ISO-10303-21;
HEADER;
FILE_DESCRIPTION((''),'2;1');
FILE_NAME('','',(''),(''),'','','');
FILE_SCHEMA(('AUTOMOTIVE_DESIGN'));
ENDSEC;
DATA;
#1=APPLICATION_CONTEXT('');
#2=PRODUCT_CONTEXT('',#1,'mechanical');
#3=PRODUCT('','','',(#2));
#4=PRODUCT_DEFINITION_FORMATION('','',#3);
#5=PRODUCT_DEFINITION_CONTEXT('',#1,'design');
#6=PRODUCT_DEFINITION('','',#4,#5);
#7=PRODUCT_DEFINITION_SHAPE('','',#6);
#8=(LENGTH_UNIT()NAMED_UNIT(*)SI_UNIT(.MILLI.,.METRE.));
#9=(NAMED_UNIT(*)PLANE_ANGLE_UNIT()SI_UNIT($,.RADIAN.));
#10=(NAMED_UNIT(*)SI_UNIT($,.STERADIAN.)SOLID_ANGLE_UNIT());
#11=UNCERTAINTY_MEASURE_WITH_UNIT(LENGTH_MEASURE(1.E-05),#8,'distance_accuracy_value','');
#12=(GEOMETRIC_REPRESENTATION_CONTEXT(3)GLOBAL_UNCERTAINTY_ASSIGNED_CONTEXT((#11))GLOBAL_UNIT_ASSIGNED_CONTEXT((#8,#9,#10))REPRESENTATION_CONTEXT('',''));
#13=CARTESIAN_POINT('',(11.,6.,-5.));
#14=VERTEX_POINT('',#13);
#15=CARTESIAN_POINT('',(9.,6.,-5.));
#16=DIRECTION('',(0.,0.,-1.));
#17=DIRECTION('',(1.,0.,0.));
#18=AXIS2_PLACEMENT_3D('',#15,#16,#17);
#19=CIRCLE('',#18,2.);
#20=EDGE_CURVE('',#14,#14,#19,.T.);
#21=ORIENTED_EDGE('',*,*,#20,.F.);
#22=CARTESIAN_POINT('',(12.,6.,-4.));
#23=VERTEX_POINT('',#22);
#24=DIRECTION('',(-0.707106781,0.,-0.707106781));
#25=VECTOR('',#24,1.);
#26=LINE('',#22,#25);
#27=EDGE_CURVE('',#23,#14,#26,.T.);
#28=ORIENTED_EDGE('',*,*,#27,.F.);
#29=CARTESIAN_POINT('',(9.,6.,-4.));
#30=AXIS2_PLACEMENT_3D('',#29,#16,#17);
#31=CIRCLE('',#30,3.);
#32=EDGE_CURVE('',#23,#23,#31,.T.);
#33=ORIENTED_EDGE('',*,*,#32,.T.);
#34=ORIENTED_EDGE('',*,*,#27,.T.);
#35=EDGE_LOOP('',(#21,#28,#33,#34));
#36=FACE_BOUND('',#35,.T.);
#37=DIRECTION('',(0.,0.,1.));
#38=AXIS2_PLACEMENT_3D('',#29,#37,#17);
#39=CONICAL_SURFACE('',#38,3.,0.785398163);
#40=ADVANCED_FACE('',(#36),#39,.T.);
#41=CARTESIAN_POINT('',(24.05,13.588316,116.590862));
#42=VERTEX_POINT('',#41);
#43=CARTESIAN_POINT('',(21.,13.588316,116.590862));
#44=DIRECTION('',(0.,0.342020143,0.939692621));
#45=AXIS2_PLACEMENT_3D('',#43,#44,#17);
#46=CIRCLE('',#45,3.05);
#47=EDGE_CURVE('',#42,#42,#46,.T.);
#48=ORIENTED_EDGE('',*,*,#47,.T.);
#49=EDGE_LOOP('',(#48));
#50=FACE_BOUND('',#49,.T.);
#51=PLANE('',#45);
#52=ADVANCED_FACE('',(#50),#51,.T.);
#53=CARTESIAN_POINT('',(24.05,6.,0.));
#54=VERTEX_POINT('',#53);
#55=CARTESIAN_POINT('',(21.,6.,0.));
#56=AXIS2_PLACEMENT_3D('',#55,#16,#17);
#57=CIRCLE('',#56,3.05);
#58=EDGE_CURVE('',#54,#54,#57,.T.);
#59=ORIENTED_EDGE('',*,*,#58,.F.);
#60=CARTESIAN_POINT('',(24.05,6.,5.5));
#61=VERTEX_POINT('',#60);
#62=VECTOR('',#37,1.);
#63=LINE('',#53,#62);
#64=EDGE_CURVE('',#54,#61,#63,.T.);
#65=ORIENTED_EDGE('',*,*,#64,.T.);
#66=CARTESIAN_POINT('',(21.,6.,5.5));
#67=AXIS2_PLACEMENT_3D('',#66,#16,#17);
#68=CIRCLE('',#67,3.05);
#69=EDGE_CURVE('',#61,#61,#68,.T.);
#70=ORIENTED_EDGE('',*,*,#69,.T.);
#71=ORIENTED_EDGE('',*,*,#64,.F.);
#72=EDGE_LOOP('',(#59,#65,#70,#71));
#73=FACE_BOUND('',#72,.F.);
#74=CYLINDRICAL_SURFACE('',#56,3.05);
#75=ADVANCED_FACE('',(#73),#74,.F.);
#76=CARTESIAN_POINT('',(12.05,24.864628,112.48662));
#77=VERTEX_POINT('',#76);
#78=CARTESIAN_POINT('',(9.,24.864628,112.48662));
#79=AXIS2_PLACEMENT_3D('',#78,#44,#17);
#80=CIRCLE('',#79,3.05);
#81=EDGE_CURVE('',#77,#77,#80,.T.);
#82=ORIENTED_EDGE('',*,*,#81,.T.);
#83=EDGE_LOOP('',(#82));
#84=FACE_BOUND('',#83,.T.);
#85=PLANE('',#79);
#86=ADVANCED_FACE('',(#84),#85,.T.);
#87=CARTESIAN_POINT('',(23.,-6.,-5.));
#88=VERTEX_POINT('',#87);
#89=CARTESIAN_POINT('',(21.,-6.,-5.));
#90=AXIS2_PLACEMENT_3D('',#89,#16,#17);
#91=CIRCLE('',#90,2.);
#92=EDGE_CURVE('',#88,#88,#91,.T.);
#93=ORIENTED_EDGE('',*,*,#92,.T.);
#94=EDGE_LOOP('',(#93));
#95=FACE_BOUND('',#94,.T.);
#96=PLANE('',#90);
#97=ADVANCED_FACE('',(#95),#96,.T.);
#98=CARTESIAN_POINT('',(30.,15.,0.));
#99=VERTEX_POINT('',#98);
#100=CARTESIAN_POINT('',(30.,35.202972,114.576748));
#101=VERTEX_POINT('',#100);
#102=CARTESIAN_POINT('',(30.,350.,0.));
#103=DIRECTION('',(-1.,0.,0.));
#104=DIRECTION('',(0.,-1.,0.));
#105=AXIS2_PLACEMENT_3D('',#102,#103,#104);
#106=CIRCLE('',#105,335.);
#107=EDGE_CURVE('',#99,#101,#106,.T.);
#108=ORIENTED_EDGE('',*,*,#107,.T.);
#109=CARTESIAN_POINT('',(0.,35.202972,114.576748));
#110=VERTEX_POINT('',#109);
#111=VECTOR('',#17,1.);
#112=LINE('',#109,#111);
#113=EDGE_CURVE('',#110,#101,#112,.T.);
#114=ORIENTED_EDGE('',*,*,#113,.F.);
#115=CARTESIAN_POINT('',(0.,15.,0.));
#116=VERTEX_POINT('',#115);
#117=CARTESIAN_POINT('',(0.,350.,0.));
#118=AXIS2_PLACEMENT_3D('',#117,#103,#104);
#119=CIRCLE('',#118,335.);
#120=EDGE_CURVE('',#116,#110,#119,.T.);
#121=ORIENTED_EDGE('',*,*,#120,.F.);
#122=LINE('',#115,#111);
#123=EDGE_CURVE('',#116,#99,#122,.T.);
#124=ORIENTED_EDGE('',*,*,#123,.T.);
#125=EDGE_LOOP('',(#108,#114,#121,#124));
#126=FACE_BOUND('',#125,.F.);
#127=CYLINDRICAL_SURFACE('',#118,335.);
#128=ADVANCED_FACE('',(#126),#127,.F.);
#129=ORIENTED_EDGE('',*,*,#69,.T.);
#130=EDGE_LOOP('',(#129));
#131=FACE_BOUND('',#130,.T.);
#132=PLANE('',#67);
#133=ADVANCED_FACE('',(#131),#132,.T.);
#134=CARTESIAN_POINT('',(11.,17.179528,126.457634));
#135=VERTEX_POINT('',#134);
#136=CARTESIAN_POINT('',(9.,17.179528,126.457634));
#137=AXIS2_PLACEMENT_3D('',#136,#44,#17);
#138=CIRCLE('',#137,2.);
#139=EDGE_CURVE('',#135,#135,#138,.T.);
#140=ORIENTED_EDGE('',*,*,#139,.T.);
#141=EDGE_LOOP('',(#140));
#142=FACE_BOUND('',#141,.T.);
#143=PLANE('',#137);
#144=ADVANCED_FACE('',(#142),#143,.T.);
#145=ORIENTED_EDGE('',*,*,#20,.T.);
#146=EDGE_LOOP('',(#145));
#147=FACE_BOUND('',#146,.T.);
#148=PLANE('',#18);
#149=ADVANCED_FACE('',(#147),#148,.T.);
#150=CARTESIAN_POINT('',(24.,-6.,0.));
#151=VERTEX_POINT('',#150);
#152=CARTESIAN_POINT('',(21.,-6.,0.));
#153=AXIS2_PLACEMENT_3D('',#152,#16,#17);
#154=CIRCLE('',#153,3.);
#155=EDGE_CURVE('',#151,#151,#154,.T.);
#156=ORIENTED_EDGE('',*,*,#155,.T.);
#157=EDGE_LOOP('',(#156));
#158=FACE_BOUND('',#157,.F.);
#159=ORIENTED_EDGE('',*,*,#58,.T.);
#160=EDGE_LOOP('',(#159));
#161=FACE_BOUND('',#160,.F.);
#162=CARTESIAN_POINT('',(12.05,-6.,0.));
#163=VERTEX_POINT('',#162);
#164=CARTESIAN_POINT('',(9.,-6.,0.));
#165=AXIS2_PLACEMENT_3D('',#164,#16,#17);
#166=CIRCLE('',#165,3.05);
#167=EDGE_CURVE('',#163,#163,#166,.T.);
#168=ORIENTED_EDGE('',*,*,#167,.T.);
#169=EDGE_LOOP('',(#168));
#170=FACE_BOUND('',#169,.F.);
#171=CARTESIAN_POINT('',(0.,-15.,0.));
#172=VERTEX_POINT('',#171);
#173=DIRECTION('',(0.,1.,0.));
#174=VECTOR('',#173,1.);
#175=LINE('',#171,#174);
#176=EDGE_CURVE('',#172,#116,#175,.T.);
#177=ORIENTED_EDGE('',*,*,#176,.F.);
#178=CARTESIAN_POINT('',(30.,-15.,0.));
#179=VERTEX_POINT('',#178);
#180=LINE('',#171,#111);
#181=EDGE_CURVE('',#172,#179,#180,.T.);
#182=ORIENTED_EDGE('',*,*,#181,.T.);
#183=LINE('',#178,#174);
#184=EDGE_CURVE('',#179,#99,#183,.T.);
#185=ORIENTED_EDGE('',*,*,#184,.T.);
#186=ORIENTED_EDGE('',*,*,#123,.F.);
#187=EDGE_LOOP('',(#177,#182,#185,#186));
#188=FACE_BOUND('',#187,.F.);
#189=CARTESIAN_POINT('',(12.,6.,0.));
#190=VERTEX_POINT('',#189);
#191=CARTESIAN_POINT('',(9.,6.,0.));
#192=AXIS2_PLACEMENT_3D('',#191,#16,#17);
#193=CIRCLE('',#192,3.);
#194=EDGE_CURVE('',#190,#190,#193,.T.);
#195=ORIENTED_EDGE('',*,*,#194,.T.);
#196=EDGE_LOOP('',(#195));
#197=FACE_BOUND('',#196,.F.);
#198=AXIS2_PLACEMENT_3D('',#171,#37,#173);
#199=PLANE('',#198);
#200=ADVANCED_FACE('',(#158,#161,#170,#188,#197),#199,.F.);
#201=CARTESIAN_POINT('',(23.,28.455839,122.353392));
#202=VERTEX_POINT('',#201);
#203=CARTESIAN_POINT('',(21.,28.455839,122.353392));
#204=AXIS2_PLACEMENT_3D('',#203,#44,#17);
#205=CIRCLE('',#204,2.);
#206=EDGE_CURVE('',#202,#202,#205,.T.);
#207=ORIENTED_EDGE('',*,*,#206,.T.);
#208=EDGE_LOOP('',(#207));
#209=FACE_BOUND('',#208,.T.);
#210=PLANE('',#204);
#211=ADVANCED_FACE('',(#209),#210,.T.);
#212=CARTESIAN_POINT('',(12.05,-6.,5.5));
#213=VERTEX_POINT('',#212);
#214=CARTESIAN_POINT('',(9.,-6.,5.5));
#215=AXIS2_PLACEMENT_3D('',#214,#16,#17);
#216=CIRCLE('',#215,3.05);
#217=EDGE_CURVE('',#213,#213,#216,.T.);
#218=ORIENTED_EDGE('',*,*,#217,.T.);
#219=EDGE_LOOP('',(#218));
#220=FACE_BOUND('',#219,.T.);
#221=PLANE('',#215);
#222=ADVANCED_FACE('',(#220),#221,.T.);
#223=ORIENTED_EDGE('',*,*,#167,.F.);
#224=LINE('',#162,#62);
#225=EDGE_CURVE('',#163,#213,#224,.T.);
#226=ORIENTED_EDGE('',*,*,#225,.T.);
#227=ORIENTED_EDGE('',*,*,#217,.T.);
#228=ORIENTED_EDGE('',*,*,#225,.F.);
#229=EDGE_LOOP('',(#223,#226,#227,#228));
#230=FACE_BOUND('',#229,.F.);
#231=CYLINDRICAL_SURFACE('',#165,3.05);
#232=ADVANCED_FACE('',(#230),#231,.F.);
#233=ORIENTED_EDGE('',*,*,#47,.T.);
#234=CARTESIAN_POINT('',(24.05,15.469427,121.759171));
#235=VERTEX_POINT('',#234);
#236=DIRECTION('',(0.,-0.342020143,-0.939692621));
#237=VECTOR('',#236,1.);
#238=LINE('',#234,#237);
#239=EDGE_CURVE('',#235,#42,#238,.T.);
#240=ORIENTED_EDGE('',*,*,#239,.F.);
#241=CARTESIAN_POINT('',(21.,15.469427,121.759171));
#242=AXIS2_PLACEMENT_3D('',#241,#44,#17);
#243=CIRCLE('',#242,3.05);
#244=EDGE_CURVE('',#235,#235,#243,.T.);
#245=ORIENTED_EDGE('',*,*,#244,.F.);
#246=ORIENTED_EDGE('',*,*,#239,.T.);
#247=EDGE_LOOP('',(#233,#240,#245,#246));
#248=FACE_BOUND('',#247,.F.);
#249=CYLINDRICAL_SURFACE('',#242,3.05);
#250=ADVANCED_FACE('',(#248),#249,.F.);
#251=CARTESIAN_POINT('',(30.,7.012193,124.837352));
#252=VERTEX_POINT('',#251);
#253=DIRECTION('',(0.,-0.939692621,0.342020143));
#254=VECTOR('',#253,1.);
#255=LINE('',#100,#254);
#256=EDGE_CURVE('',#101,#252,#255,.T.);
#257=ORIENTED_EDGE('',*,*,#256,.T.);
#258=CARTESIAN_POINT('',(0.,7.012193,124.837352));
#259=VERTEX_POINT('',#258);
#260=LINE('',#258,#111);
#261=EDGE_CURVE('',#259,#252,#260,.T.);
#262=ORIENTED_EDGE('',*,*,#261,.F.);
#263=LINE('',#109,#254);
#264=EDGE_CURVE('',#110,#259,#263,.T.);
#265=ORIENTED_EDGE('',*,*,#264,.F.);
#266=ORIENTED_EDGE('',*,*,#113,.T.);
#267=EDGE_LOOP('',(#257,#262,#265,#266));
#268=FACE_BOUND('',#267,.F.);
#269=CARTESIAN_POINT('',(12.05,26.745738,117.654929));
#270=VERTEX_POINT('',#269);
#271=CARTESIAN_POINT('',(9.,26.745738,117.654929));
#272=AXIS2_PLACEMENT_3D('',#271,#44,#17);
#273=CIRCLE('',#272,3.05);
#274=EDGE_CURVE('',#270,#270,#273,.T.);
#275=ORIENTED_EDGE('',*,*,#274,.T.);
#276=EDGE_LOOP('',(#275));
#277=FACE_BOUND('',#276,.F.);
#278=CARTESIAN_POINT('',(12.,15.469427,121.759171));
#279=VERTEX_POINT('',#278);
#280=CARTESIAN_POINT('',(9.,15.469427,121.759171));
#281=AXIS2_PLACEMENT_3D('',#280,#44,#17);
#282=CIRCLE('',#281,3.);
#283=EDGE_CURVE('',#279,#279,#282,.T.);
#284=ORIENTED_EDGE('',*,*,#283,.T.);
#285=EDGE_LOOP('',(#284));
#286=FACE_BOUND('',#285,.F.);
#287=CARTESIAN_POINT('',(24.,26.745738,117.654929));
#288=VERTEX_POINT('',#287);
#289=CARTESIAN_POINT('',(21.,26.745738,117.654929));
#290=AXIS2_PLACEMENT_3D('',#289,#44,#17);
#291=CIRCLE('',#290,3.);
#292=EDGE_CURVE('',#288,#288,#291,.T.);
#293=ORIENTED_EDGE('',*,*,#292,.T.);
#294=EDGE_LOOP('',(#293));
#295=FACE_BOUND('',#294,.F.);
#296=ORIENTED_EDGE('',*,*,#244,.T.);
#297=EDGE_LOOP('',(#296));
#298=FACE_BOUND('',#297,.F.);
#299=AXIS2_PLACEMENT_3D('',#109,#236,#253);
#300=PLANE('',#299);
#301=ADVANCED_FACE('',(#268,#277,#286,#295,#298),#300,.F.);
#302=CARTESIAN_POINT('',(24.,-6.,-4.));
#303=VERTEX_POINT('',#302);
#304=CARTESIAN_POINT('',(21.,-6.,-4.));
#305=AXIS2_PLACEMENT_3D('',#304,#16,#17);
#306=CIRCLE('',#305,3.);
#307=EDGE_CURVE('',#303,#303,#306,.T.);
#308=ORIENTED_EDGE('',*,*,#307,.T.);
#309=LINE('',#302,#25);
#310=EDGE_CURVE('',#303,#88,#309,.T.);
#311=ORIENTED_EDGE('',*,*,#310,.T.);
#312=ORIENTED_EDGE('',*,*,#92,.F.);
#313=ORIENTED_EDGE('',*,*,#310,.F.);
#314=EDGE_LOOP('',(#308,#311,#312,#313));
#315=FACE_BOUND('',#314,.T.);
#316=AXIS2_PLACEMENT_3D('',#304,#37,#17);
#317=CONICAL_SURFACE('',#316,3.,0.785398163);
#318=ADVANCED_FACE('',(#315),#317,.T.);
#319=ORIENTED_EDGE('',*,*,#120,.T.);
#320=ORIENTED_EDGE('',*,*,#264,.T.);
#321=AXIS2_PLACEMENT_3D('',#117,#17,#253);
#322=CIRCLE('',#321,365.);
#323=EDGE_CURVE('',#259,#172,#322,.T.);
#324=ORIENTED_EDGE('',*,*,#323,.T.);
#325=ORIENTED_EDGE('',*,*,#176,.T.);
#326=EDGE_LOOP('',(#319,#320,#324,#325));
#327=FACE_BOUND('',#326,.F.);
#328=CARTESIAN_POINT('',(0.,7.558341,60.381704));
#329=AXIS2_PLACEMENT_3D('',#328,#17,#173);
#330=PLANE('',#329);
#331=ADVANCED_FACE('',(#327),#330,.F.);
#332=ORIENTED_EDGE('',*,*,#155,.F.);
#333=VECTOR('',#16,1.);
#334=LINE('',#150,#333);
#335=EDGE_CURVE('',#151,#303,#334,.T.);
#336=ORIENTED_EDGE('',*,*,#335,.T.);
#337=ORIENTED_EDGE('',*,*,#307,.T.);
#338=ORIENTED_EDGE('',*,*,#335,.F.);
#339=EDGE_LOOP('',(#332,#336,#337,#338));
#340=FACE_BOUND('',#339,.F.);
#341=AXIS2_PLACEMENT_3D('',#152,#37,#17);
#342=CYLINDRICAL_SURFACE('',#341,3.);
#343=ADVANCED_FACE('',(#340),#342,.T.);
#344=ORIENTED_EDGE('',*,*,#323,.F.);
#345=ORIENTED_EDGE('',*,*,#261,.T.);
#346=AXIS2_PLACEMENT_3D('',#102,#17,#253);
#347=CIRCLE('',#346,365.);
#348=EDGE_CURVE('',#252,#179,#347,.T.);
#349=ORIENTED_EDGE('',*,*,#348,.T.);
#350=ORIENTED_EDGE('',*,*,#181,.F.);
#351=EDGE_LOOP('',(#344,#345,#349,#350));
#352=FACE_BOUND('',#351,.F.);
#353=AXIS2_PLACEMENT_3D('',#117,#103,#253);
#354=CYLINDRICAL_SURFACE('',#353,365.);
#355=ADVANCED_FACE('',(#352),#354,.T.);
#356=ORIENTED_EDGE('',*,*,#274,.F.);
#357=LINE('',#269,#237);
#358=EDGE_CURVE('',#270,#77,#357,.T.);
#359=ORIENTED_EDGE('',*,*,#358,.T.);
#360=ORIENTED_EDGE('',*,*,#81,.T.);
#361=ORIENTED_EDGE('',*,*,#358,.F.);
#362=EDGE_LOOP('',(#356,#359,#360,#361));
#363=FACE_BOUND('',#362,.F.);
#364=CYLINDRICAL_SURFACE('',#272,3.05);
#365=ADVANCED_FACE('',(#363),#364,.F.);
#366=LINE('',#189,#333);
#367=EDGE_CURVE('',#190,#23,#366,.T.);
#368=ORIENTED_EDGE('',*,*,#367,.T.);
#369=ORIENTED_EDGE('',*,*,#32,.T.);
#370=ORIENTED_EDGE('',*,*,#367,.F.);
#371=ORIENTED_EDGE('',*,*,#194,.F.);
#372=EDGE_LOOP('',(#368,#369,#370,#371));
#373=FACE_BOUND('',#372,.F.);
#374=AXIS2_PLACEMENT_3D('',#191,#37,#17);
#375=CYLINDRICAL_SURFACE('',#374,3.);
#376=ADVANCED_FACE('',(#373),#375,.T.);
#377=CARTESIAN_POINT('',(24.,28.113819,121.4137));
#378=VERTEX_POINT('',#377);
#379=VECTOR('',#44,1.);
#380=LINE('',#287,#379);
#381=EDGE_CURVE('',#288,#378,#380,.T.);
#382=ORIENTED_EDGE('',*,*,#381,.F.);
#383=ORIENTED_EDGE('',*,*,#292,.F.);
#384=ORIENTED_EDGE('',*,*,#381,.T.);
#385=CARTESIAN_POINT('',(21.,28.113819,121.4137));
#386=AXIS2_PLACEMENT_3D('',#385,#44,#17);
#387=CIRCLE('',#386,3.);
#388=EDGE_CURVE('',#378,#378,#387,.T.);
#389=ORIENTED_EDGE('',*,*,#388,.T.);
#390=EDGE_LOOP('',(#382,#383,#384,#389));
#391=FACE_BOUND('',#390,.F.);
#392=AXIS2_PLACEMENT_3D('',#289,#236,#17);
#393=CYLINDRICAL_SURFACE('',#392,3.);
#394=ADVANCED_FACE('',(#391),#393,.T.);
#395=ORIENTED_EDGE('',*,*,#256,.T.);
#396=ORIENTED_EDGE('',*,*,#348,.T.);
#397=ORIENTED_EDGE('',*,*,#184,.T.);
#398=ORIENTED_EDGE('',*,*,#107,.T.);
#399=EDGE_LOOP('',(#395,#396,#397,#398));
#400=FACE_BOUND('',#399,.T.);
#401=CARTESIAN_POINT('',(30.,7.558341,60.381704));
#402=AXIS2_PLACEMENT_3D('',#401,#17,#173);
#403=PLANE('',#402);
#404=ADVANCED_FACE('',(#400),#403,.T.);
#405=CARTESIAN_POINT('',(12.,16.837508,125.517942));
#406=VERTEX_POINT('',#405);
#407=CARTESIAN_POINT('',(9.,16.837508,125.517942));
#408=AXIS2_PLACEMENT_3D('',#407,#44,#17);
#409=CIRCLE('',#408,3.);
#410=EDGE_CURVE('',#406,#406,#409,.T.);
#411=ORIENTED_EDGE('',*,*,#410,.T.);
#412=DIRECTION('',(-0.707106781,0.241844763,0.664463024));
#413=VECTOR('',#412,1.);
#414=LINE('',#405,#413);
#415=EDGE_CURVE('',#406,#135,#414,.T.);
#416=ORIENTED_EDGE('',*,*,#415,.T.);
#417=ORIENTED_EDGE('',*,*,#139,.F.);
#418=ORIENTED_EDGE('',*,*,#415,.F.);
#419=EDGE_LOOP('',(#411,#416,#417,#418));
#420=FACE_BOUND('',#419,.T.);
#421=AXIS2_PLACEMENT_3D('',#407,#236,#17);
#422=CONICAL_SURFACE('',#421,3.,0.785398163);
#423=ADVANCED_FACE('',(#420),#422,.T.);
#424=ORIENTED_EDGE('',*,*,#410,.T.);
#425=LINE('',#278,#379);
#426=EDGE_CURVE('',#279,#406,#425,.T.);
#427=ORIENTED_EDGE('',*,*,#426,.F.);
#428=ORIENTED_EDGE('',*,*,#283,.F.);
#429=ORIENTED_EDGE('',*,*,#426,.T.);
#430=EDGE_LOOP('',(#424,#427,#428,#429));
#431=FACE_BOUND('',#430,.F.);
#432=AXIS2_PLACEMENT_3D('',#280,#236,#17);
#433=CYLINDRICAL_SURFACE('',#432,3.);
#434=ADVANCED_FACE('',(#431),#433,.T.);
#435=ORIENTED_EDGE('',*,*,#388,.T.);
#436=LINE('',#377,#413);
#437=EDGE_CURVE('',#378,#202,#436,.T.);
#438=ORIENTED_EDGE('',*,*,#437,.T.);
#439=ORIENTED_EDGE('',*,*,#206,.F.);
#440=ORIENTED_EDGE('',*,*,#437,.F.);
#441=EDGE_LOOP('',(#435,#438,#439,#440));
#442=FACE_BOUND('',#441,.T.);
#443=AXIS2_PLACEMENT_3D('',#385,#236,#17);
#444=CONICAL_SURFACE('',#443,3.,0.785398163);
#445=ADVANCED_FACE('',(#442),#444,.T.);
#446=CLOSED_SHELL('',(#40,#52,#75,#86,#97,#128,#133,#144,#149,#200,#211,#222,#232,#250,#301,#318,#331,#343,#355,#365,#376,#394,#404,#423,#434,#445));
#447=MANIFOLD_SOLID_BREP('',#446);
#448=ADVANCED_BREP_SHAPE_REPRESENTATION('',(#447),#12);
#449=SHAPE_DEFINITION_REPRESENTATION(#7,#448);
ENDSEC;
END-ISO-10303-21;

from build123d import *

# Parameters (mm, degrees)
F1_DEPTH  = 30
F2_R      = 3
F3_DEPTH  = 5
F4_SIZE   = 1
F5_R      = 3
F6_DEPTH  = 5
F7_SIZE   = 1
F8_R      = 3.05
F9_DEPTH  = 5.5
F10_R     = 3.05
F11_DEPTH = 5.5


with BuildPart() as f1:
    # F0 (on Right) → F1 (new body)
    with BuildSketch(Plane.YZ):
        with BuildLine():
            ThreePointArc((7.0121934131, 124.8373523139), (-9.4548298495, 63.3815848484), (-15, 0))
            Line((-15, 0), (15, 0))
            ThreePointArc((15, 0), (20.0894027409, 58.1721395184), (35.2029720367, 114.5767480141))
            Line((35.2029720367, 114.5767480141), (7.0121934131, 124.8373523139))
        make_face()
    extrude(amount=F1_DEPTH)

    # F2 (on face) → F3 (join)
    with BuildSketch(Plane(origin=(0, 40.9422224542, 112.4878316951), x_dir=(1, 0, 0), z_dir=(0, 0.3420201433, 0.9396926208))):
        with Locations((9, -27.1075827249)):
            Circle(F2_R)
        with Locations((21, -15.1075827249)):
            Circle(F2_R)
    extrude(amount=F3_DEPTH)

    # F4
    f4_edges = [f1.edges().sort_by_distance(p)[0] for p in [
        (6, 17.179528, 126.457634),
        (18, 28.455839, 122.353392),
    ]]
    chamfer(f4_edges, length=F4_SIZE)

    # F5 (on face) → F6 (join)
    with BuildSketch(Plane(origin=(0, 0, 0), x_dir=(1, 0, 0), z_dir=(0, 0, -1))):
        with Locations((9, -6)):
            Circle(F5_R)
        with Locations((21, 6)):
            Circle(F5_R)
    extrude(amount=F6_DEPTH)

    # F7
    f7_edges = [f1.edges().sort_by_distance(p)[0] for p in [
        (6, 6, -5),
        (18, -6, -5),
    ]]
    chamfer(f7_edges, length=F7_SIZE)

    # F8 (on face) → F9 (cut)
    with BuildSketch(Plane(origin=(0, 40.9422224542, 112.4878316951), x_dir=(1, 0, 0), z_dir=(0, 0.3420201433, 0.9396926208))):
        with Locations((9, -15.1075827249)):
            Circle(F8_R)
        with Locations((21, -27.1075827249)):
            Circle(F8_R)
    extrude(amount=-F9_DEPTH, mode=Mode.SUBTRACT)

    # F10 (on face) → F11 (cut)
    with BuildSketch(Plane(origin=(0, 0, 0), x_dir=(1, 0, 0), z_dir=(0, 0, -1))):
        with Locations((9, 6)):
            Circle(F10_R)
        with Locations((21, -6)):
            Circle(F10_R)
    extrude(amount=-F11_DEPTH, mode=Mode.SUBTRACT)


solid = f1.part
